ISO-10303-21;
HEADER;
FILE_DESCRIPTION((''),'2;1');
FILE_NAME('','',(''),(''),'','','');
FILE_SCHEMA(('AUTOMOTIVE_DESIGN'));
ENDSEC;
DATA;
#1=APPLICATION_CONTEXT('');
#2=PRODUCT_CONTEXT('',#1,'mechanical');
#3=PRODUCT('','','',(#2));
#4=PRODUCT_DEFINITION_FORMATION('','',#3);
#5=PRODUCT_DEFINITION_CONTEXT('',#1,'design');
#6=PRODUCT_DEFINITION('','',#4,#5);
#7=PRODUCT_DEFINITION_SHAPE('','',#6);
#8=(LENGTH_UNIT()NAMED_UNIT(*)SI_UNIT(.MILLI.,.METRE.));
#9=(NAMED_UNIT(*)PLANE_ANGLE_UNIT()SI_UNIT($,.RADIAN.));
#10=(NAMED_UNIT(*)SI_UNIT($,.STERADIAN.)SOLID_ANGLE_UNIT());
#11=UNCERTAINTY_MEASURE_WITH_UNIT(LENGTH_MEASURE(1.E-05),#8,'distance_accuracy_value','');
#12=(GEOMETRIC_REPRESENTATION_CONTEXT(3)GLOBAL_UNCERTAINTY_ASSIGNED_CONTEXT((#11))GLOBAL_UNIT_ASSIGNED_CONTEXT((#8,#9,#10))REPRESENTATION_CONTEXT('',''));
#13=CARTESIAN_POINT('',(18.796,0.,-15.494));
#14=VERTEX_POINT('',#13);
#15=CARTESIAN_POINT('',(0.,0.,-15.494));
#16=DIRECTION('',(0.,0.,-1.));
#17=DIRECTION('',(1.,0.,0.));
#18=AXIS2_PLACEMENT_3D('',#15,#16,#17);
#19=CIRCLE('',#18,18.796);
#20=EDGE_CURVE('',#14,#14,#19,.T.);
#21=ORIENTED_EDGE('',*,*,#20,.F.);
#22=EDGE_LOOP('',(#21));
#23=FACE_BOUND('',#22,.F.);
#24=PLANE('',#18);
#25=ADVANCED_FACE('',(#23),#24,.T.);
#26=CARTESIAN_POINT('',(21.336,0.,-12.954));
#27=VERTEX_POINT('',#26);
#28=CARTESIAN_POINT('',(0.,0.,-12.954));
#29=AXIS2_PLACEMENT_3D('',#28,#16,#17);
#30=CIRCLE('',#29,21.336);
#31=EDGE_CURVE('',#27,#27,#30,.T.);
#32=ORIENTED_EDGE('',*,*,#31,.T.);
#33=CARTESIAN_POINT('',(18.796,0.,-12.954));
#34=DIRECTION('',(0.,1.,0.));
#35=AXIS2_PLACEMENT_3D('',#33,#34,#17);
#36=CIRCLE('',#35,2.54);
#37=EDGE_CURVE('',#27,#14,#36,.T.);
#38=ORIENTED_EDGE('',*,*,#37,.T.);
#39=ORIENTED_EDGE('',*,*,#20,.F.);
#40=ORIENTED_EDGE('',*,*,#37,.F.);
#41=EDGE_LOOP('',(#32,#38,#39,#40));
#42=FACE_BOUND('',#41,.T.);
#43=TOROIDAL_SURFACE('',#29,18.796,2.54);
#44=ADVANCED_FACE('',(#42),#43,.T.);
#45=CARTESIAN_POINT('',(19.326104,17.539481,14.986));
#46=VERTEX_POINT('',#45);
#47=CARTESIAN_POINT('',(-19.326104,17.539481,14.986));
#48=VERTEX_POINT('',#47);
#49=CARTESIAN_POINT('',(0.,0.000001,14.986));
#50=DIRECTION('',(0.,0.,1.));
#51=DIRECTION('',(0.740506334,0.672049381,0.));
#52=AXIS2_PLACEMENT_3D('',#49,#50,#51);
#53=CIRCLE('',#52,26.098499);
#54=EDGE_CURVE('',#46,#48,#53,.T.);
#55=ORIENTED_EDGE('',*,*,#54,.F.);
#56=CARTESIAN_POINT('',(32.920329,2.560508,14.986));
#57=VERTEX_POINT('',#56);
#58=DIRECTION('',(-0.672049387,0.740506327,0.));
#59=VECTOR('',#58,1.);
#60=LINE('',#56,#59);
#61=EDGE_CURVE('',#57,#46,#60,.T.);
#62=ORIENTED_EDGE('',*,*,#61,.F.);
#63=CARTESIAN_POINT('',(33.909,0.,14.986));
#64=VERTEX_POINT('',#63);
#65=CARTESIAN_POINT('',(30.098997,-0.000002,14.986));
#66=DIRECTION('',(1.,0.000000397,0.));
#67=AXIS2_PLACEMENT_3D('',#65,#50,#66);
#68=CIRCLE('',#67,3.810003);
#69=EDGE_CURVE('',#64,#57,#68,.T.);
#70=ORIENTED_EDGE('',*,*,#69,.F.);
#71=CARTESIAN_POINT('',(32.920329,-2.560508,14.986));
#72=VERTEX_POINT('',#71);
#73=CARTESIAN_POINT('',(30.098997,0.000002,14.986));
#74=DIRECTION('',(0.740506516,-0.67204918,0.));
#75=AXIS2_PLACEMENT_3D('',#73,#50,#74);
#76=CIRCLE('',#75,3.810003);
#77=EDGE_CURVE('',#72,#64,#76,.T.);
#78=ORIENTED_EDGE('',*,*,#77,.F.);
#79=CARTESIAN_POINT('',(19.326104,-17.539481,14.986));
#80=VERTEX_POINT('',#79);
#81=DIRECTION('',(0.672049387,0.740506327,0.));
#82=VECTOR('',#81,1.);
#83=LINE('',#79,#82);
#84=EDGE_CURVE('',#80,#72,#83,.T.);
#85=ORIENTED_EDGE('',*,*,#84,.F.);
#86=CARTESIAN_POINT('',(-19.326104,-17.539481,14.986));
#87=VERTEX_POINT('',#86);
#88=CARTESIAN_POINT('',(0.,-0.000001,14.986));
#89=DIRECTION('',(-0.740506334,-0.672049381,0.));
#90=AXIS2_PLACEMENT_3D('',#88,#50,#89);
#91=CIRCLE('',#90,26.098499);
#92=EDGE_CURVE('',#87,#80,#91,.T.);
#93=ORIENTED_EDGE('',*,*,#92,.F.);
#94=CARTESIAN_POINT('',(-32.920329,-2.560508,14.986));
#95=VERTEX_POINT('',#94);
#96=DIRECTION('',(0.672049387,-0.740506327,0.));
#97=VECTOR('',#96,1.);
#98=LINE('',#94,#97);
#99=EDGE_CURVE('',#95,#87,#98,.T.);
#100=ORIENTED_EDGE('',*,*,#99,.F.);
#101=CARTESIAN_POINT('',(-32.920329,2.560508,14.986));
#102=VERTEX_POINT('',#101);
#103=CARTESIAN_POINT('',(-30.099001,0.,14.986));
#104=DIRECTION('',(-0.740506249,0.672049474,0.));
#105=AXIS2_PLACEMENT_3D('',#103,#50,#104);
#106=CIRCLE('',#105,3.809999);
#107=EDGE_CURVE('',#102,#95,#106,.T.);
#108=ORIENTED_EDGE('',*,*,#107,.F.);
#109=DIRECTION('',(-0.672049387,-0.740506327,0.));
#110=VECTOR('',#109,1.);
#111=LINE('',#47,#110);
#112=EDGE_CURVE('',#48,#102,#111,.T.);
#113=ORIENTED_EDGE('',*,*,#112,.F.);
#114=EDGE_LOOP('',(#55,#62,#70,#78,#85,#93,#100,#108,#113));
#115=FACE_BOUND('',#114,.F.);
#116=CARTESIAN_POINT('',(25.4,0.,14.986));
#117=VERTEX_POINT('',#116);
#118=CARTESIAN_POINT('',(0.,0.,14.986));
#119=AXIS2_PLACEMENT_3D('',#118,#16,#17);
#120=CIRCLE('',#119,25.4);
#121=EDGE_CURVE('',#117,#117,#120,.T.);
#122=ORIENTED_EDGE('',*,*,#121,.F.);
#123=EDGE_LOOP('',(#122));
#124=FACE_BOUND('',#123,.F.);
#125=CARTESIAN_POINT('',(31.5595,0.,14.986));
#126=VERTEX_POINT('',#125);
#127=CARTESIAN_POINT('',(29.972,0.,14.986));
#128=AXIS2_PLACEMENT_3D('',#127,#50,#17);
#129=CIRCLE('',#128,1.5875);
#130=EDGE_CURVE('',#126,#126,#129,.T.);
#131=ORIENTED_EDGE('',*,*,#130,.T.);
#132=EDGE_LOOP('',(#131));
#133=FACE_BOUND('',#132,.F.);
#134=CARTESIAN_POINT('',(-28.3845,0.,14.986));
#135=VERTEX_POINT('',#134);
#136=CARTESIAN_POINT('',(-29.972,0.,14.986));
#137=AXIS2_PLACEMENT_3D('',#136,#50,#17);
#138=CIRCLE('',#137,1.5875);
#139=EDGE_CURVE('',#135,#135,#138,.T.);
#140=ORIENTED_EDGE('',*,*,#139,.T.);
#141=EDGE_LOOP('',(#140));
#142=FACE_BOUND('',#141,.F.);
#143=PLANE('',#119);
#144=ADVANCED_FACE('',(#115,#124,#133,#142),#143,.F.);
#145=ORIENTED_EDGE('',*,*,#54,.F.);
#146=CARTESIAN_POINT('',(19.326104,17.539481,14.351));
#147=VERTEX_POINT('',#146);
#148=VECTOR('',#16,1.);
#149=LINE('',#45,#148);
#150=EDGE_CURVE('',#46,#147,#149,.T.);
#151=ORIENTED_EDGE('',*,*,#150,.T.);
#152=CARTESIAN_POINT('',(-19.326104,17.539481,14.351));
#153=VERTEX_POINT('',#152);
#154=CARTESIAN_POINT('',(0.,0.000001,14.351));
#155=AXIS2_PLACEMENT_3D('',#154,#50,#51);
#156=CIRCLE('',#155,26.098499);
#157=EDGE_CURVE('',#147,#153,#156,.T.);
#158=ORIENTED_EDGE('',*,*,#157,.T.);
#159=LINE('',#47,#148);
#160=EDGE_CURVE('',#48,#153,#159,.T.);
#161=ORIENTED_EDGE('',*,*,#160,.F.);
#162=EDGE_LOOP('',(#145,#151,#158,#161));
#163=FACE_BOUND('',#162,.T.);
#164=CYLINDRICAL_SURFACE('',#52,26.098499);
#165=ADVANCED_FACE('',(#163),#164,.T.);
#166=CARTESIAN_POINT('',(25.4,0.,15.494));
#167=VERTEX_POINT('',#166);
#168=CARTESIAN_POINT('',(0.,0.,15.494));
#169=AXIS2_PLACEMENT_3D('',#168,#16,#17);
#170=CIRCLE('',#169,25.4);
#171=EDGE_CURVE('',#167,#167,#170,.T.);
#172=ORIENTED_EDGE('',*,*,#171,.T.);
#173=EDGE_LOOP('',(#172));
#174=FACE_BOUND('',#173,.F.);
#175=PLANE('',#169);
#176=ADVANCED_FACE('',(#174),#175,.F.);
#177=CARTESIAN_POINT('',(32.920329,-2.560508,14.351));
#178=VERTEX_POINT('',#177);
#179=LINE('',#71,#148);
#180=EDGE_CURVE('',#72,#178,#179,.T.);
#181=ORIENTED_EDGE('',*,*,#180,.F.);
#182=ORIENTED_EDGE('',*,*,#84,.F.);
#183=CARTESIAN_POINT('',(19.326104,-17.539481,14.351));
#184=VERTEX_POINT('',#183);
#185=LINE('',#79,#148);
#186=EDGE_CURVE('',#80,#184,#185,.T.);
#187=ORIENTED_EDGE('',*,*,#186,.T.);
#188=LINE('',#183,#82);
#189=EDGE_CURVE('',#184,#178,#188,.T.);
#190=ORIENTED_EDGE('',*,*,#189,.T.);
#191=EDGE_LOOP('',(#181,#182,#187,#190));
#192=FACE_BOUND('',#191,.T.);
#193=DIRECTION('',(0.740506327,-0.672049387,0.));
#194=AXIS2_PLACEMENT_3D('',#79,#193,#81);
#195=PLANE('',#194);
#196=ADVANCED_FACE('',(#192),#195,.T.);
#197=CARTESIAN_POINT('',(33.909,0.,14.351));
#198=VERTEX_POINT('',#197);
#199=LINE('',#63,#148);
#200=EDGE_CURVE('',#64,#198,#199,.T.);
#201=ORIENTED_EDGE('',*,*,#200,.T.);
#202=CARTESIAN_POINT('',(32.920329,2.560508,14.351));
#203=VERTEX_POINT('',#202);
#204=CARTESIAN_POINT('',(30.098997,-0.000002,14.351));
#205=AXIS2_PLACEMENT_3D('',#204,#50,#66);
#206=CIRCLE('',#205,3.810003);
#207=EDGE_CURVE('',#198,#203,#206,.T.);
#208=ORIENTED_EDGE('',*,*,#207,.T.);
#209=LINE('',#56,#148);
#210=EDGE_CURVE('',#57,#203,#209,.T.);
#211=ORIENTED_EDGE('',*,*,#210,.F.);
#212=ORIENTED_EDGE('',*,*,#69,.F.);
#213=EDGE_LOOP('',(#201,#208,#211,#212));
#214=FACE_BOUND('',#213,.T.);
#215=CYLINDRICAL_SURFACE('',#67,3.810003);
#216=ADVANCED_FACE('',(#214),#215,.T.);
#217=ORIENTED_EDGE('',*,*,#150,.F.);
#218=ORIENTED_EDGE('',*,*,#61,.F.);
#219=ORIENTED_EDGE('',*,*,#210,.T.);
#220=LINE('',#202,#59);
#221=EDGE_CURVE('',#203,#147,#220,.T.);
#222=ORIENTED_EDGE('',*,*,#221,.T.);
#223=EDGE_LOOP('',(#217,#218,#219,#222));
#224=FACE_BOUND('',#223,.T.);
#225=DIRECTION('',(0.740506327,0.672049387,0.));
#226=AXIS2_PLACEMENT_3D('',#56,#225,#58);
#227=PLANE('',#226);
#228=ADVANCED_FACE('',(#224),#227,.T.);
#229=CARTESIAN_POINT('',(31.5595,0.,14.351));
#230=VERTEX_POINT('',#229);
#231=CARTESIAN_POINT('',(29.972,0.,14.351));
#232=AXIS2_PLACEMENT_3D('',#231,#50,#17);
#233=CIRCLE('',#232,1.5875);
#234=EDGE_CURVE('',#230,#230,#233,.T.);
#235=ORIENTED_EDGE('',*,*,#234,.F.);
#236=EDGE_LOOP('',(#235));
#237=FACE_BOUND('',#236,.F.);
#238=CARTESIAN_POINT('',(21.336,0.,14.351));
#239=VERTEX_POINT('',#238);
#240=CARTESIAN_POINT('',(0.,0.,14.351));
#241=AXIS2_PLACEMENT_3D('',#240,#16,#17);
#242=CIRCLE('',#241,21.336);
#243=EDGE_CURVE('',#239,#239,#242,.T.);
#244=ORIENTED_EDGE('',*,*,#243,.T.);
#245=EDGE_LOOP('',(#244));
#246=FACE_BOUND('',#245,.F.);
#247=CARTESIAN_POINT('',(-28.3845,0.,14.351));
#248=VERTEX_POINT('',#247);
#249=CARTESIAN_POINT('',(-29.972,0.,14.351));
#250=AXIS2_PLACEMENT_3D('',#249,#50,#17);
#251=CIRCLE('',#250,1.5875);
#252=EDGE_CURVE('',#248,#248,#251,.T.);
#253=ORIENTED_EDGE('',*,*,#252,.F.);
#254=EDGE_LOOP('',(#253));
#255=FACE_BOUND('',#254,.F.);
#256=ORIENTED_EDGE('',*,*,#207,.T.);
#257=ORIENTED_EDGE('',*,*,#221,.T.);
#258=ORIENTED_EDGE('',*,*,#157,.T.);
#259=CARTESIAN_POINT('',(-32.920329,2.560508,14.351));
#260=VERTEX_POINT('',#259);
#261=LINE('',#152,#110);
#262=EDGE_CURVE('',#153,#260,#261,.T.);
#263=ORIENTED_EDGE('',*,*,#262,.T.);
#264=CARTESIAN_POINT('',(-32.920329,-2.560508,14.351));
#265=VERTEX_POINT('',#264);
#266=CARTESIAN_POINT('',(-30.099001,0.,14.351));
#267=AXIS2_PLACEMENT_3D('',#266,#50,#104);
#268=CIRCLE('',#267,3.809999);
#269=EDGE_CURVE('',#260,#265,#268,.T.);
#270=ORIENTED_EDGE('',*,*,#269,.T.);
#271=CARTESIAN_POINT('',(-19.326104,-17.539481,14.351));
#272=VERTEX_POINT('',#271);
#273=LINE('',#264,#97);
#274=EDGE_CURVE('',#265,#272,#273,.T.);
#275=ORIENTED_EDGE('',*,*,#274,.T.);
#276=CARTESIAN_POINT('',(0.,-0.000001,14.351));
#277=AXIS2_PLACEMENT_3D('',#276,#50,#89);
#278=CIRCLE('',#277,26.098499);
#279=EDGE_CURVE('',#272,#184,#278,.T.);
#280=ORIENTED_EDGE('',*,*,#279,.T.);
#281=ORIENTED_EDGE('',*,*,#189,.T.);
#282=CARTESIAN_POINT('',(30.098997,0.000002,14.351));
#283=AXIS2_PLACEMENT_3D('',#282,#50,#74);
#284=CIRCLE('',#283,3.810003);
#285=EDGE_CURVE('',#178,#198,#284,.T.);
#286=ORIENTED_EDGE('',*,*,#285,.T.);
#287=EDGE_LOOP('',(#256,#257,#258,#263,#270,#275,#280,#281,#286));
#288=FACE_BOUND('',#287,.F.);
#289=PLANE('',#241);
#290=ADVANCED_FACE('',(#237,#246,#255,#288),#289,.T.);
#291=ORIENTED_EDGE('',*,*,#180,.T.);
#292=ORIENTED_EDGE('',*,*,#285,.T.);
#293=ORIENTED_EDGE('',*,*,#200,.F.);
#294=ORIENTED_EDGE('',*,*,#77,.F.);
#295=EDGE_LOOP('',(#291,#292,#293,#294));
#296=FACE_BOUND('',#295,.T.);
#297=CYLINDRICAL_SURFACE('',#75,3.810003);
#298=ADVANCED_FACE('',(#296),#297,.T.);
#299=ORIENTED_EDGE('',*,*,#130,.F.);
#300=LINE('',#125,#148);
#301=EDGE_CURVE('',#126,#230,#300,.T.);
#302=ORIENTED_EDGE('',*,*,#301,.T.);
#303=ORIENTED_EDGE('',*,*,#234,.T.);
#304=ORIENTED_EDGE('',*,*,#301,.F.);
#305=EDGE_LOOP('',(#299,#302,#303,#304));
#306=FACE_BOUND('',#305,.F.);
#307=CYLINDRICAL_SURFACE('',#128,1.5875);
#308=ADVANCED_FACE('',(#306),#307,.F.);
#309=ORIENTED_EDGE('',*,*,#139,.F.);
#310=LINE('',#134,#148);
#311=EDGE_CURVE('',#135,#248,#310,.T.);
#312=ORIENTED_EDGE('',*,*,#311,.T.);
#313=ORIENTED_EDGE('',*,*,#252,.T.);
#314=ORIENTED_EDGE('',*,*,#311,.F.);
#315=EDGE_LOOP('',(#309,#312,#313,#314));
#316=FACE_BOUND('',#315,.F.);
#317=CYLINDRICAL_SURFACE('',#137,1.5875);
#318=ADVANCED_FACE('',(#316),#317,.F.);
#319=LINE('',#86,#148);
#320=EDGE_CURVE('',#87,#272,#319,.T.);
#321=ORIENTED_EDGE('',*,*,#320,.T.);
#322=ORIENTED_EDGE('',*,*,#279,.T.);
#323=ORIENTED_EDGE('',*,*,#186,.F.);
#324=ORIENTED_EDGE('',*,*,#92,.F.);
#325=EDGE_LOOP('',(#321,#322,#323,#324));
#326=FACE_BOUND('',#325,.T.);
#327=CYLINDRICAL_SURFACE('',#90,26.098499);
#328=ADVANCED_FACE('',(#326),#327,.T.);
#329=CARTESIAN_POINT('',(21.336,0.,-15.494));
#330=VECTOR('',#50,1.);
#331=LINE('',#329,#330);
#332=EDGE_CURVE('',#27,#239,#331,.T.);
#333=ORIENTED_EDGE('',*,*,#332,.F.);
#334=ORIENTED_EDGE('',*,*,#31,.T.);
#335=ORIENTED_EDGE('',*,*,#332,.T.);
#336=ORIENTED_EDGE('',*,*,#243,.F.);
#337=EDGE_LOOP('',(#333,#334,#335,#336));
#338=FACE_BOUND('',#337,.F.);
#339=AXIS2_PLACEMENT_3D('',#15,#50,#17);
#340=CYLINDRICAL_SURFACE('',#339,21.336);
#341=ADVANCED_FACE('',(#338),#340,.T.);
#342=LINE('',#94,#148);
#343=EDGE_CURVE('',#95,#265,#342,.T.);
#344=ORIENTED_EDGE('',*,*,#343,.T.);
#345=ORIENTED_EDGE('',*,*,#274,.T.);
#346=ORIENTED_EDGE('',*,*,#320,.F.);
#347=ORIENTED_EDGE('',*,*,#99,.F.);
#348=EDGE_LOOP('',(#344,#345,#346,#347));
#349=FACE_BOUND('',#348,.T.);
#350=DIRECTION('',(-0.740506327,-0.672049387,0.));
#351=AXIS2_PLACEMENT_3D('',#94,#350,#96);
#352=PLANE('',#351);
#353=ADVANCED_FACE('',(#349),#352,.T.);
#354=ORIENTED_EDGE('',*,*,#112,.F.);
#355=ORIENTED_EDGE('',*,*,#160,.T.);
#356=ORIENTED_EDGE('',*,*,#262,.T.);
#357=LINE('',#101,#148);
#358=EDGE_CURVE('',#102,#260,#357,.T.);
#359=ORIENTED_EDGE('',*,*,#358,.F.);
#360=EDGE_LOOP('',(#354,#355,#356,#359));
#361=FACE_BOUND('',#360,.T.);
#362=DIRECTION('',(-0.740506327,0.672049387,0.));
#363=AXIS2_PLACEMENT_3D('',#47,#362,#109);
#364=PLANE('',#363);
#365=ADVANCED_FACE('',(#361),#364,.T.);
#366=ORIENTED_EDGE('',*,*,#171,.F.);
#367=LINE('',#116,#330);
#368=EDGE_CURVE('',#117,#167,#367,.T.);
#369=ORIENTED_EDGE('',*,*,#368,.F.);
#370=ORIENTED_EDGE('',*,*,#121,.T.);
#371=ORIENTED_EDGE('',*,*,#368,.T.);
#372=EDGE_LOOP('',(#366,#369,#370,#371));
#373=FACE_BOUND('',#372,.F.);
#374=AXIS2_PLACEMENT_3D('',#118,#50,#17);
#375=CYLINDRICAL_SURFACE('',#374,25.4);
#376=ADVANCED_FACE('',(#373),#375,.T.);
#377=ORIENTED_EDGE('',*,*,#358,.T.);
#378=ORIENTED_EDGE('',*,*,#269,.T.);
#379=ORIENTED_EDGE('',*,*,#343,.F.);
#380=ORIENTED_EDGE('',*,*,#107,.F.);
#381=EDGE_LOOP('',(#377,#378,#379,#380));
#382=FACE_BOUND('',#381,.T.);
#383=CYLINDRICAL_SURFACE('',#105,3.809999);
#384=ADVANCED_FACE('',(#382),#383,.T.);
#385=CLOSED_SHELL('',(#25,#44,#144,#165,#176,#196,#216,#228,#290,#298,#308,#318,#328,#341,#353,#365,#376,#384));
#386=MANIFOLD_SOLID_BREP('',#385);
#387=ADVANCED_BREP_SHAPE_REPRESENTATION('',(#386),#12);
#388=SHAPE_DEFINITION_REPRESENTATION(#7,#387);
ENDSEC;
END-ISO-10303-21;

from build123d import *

# Parameters (mm, degrees)
F2_R     = 1.5875
F3_DEPTH = 0.635
F4_R     = 2.54


with BuildPart() as f1:
    # F0 (on Front) → F1 (revolve)
    with BuildSketch(Plane.XZ):
        Polygon((26.0985, 14.351), (26.0985, 14.986), (25.4, 14.986), (25.4, 15.494), (0, 15.494), (0, -15.494), (21.336, -15.494), (21.336, 14.351), align=None)
    revolve(axis=Axis((0, 0, -4.175231), (0, 0, -1)))

    # F2 (on face) → F3 (join, through all)
    with BuildSketch(Plane.XY.offset(14.986)):
        with BuildLine():
            ThreePointArc((19.326104, -17.539481), (24.346602, -9.400781), (26.0985, 0))
            ThreePointArc((26.0985, 0), (24.346602, 9.400781), (19.326104, 17.539481))
            ThreePointArc((19.326104, 17.539481), (0, 26.0985), (-19.326104, 17.539481))
            ThreePointArc((-19.326104, 17.539481), (-26.0985, 0), (-19.326104, -17.539481))
            ThreePointArc((-19.326104, -17.539481), (0, -26.0985), (19.326104, -17.539481))
        make_face()
        with BuildLine():
            ThreePointArc((19.326104, 17.539481), (24.346602, 9.400781), (26.0985, 0))
            ThreePointArc((26.0985, 0), (24.346602, -9.400781), (19.326104, -17.539481))
            Line((19.326104, -17.539481), (32.920329, -2.560508))
            ThreePointArc((32.920329, -2.560508), (26.289, 0), (32.920329, 2.560508))
            Line((32.920329, 2.560508), (19.326104, 17.539481))
        make_face()
        with BuildLine():
            ThreePointArc((-19.326104, -17.539481), (-26.0985, 0), (-19.326104, 17.539481))
            Line((-19.326104, 17.539481), (-32.920329, 2.560508))
            ThreePointArc((-32.920329, 2.560508), (-28.726623, 3.554248), (-26.289, 0))
            ThreePointArc((-26.289, 0), (-28.726623, -3.554248), (-32.920329, -2.560508))
            Line((-32.920329, -2.560508), (-19.326104, -17.539481))
        make_face()
        with BuildLine():
            ThreePointArc((33.909, 0), (33.653248, 1.372377), (32.920329, 2.560508))
            ThreePointArc((32.920329, 2.560508), (26.289, 0), (32.920329, -2.560508))
            ThreePointArc((32.920329, -2.560508), (33.653248, -1.372377), (33.909, 0))
        make_face()
        with Locations((29.972, 0)):
            Circle(F2_R, mode=Mode.SUBTRACT)
        with BuildLine():
            ThreePointArc((-26.289, 0), (-28.726623, 3.554248), (-32.920329, 2.560508))
            ThreePointArc((-32.920329, 2.560508), (-33.909, 0), (-32.920329, -2.560508))
            ThreePointArc((-32.920329, -2.560508), (-28.726623, -3.554248), (-26.289, 0))
        make_face()
        with Locations((-29.972, 0)):
            Circle(F2_R, mode=Mode.SUBTRACT)
    extrude(amount=-F3_DEPTH)

    # F4
    f4_edges = [f1.edges().sort_by_distance(p)[0] for p in [
        (-21.336, 0, -15.494),
    ]]
    fillet(f4_edges, radius=F4_R)


solid = f1.part
